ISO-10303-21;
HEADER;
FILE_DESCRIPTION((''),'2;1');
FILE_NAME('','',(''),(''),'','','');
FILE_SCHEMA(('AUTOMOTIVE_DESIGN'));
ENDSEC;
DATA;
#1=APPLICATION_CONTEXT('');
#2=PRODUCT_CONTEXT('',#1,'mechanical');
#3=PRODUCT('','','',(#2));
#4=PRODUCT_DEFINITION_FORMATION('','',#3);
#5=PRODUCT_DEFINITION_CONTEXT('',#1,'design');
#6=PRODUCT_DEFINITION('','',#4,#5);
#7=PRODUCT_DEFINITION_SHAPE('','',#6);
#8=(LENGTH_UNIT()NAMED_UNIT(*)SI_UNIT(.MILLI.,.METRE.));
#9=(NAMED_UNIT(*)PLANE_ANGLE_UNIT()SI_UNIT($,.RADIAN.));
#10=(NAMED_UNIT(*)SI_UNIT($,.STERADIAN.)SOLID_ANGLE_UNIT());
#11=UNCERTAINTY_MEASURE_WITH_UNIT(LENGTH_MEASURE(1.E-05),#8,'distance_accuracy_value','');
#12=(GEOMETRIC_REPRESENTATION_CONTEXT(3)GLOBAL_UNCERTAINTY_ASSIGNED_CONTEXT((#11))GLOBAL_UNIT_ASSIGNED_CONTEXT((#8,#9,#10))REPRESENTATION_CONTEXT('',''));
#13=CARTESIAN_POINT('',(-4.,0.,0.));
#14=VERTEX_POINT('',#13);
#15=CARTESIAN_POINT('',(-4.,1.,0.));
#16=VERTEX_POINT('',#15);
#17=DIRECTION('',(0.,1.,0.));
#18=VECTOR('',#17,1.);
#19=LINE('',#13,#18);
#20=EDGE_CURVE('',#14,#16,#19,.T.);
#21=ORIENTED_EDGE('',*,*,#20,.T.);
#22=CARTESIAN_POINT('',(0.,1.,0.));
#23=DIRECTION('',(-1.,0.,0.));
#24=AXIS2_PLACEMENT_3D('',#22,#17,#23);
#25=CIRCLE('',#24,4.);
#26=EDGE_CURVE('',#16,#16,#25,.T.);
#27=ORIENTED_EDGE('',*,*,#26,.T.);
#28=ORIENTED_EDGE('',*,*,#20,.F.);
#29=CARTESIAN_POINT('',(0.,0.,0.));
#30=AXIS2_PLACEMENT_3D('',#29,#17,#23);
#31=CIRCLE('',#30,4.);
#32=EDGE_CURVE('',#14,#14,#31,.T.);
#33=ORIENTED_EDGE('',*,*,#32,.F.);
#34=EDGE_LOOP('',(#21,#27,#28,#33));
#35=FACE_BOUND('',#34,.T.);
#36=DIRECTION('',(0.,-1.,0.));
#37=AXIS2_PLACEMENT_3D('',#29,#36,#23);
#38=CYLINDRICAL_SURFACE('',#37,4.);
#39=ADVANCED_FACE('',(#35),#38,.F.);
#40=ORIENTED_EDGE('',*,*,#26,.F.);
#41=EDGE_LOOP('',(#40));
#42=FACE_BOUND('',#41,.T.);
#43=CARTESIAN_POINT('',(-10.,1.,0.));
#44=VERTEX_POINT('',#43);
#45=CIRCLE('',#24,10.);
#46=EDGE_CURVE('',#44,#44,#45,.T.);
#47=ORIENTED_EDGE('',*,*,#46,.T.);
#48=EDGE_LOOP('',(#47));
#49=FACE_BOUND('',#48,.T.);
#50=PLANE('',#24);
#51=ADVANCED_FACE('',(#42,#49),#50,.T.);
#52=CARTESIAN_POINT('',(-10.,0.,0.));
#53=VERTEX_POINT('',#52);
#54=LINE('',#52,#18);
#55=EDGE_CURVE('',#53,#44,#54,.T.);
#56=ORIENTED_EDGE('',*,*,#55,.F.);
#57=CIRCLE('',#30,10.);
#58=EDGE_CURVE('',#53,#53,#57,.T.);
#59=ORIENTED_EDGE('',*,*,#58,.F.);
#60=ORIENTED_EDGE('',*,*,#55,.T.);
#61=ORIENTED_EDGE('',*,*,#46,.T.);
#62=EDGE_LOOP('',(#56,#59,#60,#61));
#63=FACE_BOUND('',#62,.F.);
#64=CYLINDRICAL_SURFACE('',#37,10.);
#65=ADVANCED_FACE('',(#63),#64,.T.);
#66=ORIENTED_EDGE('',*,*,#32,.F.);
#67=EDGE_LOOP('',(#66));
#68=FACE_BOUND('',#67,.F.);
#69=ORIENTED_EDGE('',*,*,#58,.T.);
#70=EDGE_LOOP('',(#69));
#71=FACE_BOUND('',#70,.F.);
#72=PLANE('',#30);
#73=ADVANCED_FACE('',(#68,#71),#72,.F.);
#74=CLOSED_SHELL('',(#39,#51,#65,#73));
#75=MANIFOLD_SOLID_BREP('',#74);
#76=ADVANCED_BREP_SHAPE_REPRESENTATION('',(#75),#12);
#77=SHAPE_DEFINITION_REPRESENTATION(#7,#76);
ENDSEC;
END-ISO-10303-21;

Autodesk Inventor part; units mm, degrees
ref_plane "YZ Plane" through (0, 0, 0) normal (1, 0, 0) x (0, 1, 0)
ref_plane "XZ Plane" through (0, 0, 0) normal (0, 1, 0) x (-1, 0, 0)
ref_plane "XY Plane" through (0, 0, 0) normal (0, 0, 1) x (1, 0, 0)
sketch "スケッチ1" plane through (0, 0, 0) normal (0, 1, 0) x (-1, 0, 0)
  circle A0 centre (0, 0) radius 10
  circle A1 centre (0, 0) radius 4
  dimension "d0" = 20
  dimension "d2" = 8
extrude "押し出し1" add sketch "スケッチ1" along normal blind 1
properties part number "01" material "アセタール樹脂、白"
